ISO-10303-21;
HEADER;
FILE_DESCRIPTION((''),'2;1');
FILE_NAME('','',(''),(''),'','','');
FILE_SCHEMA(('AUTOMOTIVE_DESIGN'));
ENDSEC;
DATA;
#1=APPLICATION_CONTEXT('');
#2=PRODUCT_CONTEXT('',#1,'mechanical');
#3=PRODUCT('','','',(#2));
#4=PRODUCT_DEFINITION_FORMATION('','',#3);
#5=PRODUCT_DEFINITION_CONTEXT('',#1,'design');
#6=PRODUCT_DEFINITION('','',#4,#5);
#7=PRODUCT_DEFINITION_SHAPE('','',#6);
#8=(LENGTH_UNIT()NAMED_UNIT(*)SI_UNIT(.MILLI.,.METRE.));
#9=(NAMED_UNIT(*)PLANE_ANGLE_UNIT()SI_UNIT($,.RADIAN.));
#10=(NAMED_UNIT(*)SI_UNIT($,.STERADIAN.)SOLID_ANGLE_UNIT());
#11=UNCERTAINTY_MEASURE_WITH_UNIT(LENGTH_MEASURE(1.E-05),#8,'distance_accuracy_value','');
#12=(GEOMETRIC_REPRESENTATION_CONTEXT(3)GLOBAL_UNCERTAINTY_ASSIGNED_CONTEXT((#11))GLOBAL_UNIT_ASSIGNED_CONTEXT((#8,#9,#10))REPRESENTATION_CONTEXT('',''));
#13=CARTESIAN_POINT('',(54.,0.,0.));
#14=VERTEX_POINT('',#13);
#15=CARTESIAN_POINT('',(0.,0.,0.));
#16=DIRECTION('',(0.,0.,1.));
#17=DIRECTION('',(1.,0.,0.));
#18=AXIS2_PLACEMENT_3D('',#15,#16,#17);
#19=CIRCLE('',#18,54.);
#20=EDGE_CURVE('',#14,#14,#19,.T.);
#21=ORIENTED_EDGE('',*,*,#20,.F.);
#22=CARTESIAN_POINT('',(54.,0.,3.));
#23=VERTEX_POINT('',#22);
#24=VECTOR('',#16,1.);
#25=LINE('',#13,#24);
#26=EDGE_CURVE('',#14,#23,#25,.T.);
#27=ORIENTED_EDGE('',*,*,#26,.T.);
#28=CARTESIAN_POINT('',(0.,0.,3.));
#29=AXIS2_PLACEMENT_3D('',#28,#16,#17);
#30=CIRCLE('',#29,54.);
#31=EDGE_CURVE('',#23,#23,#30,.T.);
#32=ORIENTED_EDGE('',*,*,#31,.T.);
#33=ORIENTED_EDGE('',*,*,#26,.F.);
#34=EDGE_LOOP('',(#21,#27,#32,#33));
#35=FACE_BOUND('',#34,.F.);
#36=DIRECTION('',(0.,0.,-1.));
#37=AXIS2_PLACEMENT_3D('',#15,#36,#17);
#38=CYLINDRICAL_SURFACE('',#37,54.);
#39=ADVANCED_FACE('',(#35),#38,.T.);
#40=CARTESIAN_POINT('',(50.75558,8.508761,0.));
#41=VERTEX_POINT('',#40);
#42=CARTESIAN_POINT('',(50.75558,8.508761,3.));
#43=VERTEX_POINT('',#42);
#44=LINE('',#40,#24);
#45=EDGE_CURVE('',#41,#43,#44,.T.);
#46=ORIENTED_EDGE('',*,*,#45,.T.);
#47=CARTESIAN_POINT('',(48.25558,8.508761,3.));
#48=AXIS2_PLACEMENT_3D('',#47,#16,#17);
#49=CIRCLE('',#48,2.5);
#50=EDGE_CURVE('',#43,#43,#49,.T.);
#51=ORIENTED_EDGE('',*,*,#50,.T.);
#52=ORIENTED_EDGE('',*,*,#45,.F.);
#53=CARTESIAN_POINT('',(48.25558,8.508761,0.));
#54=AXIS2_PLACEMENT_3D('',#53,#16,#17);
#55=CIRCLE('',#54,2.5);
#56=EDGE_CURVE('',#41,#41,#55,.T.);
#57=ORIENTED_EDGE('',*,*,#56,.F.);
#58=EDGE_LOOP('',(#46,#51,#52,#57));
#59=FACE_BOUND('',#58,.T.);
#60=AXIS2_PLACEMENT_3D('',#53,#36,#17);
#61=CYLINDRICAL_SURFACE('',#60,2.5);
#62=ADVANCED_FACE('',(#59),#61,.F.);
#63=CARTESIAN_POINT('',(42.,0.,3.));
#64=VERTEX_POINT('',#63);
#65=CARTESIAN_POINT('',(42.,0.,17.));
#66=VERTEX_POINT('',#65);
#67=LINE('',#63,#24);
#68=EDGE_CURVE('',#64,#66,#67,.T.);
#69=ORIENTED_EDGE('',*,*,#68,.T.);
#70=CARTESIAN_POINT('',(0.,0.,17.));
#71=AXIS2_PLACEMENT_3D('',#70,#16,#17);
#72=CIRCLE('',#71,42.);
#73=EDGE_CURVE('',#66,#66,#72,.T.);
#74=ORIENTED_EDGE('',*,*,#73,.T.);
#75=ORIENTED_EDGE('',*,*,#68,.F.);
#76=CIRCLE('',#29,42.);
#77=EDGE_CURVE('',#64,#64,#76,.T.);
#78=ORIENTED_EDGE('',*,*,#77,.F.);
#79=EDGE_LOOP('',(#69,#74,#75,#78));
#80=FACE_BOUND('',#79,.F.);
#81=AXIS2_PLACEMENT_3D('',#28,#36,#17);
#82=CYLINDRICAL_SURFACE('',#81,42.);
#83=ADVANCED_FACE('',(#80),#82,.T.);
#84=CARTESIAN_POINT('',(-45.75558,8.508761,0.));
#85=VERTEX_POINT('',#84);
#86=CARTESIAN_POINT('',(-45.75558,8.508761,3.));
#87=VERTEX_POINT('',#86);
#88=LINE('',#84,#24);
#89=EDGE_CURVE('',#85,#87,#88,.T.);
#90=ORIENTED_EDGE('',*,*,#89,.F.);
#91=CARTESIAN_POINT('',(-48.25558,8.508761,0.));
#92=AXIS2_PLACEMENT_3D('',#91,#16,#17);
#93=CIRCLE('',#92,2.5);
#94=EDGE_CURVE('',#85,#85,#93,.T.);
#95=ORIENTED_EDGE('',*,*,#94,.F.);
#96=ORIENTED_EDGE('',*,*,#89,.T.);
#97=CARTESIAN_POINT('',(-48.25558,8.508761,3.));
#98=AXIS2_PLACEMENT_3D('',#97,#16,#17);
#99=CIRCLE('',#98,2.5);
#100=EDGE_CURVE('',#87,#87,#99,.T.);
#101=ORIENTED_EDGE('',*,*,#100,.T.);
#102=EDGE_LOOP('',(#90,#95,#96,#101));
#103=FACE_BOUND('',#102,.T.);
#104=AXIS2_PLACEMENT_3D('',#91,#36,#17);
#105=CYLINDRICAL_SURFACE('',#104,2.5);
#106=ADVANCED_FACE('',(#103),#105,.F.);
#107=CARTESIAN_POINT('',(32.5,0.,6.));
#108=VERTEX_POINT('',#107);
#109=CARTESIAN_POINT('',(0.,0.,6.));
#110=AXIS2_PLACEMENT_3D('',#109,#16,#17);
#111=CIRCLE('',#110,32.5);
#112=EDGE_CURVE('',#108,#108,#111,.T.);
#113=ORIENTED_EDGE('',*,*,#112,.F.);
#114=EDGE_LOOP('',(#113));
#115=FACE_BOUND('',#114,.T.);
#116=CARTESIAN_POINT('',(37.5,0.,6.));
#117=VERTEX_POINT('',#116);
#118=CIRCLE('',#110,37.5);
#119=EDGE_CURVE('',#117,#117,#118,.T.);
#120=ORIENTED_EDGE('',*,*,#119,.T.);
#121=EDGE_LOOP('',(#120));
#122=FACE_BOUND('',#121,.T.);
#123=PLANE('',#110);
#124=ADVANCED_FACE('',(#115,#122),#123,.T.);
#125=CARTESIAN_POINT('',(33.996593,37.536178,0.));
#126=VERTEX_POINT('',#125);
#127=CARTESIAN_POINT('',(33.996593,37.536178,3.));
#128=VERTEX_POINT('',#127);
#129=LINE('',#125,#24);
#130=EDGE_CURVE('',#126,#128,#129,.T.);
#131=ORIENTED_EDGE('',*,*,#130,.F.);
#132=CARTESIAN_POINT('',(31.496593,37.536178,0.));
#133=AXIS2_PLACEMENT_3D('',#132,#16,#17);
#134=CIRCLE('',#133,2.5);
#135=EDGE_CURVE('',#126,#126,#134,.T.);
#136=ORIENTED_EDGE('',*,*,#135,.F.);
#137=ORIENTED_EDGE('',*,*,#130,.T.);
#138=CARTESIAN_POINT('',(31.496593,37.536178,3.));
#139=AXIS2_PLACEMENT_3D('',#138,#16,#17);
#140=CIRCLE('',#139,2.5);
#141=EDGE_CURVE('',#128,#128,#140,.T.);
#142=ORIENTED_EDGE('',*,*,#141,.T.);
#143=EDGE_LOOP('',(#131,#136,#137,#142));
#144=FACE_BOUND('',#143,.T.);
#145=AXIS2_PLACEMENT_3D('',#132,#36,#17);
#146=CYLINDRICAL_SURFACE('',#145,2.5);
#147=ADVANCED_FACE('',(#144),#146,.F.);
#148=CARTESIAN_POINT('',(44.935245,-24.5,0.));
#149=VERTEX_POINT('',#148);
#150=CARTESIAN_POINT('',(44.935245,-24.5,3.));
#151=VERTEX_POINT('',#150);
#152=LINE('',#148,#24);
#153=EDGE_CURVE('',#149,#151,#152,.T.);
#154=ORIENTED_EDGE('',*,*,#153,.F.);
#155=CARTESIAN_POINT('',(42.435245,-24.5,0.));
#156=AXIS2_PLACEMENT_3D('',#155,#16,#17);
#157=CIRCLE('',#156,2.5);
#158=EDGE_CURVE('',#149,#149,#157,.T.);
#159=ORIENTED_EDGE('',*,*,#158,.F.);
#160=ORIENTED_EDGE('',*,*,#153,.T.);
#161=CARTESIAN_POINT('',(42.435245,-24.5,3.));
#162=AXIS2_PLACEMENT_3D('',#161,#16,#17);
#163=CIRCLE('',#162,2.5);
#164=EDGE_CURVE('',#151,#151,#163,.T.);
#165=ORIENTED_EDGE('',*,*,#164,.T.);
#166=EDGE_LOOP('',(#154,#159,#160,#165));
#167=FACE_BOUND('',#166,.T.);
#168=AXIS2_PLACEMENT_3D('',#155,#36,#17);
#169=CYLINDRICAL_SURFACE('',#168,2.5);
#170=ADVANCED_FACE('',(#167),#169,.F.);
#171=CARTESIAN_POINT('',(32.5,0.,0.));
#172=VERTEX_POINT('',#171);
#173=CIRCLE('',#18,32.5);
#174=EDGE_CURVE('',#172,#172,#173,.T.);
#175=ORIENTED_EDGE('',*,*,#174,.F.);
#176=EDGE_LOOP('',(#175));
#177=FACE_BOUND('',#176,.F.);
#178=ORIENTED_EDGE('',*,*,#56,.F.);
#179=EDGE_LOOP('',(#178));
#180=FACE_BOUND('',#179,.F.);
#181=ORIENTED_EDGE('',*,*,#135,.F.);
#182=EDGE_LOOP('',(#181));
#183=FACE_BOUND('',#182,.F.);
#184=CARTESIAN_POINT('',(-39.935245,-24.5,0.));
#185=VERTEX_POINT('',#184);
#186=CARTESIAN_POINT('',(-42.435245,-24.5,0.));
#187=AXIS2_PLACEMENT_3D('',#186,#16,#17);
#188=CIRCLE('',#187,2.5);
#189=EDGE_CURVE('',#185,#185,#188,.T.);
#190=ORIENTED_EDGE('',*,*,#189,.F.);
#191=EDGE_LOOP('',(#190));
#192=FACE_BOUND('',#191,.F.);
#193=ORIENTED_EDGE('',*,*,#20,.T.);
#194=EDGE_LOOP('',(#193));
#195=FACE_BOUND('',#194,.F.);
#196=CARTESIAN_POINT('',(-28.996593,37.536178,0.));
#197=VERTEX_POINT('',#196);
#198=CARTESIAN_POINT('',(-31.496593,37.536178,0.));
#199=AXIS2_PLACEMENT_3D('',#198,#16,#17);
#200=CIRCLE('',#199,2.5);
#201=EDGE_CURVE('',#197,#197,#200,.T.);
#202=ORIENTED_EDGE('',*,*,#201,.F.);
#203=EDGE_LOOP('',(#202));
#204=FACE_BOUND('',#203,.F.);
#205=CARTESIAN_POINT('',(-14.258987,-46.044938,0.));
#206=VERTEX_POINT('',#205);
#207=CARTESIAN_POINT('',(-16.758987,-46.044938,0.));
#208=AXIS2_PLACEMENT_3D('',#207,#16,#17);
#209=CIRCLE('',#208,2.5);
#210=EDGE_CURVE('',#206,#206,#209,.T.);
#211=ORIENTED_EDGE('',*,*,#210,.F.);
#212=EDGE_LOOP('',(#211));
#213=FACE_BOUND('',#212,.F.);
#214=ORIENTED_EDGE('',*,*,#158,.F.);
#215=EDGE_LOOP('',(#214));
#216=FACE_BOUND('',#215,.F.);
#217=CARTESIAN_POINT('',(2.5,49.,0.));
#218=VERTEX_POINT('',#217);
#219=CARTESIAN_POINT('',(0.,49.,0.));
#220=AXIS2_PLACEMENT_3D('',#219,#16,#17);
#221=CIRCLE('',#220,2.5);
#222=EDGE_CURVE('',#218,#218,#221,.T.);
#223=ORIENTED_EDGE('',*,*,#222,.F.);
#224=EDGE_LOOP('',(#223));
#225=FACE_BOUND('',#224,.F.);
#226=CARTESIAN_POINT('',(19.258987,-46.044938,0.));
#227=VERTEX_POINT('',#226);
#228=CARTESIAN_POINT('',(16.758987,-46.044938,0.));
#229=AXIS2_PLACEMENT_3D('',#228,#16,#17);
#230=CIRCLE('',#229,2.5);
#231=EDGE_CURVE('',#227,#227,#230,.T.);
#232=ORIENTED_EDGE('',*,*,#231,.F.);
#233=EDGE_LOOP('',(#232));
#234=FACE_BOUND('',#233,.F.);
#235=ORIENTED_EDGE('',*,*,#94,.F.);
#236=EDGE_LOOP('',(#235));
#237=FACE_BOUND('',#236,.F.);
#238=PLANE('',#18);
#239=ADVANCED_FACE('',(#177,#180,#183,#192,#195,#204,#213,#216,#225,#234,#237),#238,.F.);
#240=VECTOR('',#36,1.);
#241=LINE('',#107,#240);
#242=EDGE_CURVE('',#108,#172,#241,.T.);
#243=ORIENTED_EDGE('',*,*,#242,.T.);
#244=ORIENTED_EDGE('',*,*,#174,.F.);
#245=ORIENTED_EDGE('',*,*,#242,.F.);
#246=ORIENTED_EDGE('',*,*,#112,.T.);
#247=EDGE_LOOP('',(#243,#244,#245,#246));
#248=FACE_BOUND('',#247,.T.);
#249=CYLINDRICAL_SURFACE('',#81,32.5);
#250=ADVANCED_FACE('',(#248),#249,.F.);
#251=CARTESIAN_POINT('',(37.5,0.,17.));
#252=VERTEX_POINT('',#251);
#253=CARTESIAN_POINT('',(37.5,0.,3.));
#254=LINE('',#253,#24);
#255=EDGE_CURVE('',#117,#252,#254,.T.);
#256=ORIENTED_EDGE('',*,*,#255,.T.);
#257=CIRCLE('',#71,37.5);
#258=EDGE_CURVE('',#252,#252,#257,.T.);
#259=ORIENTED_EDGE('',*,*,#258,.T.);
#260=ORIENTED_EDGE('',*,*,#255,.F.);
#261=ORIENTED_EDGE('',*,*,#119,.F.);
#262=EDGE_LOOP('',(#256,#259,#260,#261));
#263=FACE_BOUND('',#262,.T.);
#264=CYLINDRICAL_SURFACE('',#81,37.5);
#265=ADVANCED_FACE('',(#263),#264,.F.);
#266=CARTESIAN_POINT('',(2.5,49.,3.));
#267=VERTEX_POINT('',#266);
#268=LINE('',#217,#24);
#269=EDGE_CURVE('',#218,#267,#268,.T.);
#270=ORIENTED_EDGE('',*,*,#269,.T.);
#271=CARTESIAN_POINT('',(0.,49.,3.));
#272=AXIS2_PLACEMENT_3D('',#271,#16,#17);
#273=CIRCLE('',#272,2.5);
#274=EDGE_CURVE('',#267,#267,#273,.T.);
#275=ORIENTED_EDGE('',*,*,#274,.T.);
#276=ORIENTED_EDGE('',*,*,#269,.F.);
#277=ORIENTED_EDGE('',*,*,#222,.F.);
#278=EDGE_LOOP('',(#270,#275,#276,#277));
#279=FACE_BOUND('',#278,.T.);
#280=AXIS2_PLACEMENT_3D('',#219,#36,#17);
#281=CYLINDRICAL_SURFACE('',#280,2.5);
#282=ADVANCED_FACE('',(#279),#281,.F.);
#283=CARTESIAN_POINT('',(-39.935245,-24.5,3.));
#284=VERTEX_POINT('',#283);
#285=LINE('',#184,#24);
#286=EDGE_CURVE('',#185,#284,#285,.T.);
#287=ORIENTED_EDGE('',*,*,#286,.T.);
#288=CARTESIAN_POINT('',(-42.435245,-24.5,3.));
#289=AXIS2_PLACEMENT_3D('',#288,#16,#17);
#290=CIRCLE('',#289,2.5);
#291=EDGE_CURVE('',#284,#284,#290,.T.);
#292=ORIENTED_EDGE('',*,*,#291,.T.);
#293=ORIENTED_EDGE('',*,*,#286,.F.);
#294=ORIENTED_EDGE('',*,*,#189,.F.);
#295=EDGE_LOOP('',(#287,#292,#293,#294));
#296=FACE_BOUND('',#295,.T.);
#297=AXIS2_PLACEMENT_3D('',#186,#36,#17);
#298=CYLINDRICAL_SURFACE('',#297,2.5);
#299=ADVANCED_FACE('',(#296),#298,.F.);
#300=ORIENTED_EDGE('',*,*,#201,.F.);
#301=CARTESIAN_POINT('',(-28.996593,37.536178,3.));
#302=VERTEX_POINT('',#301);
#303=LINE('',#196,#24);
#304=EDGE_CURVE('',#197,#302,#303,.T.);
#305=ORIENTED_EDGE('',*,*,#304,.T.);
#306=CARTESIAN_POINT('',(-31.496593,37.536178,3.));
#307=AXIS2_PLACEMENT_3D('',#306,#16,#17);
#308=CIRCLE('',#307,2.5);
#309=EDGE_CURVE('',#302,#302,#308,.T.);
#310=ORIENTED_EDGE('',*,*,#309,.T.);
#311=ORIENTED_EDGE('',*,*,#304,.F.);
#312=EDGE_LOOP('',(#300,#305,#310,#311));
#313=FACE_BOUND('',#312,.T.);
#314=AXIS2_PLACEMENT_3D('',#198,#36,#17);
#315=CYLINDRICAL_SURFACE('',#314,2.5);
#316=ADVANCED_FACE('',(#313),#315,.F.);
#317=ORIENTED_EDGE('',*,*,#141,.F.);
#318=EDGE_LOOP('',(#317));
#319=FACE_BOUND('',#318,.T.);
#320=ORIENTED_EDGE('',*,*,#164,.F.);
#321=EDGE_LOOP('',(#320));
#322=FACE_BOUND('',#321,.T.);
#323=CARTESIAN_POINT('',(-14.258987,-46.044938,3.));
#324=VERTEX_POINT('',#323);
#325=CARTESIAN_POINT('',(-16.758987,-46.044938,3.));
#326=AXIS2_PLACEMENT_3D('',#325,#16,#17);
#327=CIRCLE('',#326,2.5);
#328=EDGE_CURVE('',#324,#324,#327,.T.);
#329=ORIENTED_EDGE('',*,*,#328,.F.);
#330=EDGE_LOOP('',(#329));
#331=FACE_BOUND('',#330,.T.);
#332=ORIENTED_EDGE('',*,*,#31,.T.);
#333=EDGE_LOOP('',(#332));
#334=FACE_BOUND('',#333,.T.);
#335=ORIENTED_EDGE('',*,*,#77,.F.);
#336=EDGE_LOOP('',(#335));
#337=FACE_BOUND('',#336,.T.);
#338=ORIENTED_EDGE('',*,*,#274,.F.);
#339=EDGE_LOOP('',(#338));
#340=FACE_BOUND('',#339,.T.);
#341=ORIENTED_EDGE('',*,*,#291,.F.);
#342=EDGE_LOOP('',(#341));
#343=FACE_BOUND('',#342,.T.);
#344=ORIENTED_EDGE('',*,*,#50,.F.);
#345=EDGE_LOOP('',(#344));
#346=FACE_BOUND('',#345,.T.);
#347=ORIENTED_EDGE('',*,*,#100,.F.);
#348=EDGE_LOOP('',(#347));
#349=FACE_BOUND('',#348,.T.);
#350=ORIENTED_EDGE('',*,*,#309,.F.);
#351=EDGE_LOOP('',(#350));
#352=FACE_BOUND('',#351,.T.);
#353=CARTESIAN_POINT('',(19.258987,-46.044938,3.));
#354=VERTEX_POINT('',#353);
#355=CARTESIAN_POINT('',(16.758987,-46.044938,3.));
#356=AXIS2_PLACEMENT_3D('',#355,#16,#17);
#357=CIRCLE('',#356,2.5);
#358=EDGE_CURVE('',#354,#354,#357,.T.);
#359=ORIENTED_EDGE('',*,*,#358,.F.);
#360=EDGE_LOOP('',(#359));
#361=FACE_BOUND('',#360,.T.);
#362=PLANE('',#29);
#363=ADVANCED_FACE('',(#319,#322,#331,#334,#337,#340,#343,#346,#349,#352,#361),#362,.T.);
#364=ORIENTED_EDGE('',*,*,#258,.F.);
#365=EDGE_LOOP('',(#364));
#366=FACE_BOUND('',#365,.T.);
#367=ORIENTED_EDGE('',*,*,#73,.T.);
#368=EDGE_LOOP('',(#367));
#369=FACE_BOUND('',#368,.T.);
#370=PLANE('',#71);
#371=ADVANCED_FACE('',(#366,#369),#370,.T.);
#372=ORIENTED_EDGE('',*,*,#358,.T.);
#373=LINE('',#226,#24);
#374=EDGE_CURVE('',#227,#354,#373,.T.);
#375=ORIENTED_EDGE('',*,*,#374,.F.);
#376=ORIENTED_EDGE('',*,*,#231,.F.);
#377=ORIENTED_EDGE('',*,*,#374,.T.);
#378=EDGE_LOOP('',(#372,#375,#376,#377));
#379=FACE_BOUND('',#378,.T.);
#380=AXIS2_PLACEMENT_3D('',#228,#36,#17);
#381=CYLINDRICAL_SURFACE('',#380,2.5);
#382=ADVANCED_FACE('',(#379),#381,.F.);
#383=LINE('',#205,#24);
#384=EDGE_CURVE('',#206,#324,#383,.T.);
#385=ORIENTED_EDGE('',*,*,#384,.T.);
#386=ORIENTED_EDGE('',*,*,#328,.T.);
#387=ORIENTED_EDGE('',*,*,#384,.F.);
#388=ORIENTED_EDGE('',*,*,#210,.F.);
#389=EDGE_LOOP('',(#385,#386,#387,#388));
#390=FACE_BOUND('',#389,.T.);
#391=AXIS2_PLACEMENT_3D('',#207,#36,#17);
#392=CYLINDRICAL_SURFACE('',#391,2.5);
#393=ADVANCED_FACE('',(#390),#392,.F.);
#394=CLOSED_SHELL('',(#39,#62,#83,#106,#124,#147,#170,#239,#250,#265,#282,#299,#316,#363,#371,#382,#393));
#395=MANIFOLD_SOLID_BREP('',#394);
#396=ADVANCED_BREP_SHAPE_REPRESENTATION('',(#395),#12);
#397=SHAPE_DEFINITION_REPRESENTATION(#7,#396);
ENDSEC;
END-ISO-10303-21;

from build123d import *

# Parameters (mm, degrees)
SKETCH_R      = 54
SKETCH_R_2    = 32.5
SKETCH_R_3    = 2.5
PAD_DEPTH     = 3
SKETCH002_R   = 42
SKETCH002_R_2 = 37.5
PAD002_DEPTH  = 14
SKETCH003_R   = 37.5
SKETCH003_R_2 = 32.5
PAD003_DEPTH  = 3


with BuildPart() as part:
    # Sketch → Pad (new body)
    with BuildSketch(Plane.XY):
        Circle(SKETCH_R)
        Circle(SKETCH_R_2, mode=Mode.SUBTRACT)
        with Locations((0, 49)):
            Circle(SKETCH_R_3, mode=Mode.SUBTRACT)
        with Locations((48.25558, 8.508761)):
            Circle(SKETCH_R_3, mode=Mode.SUBTRACT)
        with Locations((42.435245, -24.5)):
            Circle(SKETCH_R_3, mode=Mode.SUBTRACT)
        with Locations((16.758987, -46.044938)):
            Circle(SKETCH_R_3, mode=Mode.SUBTRACT)
        with Locations((-16.758987, -46.044938)):
            Circle(SKETCH_R_3, mode=Mode.SUBTRACT)
        with Locations((-42.435245, -24.5)):
            Circle(SKETCH_R_3, mode=Mode.SUBTRACT)
        with Locations((-48.25558, 8.508761)):
            Circle(SKETCH_R_3, mode=Mode.SUBTRACT)
        with Locations((-31.496593, 37.536178)):
            Circle(SKETCH_R_3, mode=Mode.SUBTRACT)
        with Locations((31.496593, 37.536178)):
            Circle(SKETCH_R_3, mode=Mode.SUBTRACT)
    extrude(amount=PAD_DEPTH)

    # Sketch002 → Pad002 (join)
    with BuildSketch(Plane.XY.offset(3)):
        Circle(SKETCH002_R)
        Circle(SKETCH002_R_2, mode=Mode.SUBTRACT)
    extrude(amount=PAD002_DEPTH)

    # Sketch003 (on Face15 of Pad002) → Pad003 (join)
    with BuildSketch(Plane.XY.offset(3)):
        Circle(SKETCH003_R)
        Circle(SKETCH003_R_2, mode=Mode.SUBTRACT)
    extrude(amount=PAD003_DEPTH)


solid = part.part
